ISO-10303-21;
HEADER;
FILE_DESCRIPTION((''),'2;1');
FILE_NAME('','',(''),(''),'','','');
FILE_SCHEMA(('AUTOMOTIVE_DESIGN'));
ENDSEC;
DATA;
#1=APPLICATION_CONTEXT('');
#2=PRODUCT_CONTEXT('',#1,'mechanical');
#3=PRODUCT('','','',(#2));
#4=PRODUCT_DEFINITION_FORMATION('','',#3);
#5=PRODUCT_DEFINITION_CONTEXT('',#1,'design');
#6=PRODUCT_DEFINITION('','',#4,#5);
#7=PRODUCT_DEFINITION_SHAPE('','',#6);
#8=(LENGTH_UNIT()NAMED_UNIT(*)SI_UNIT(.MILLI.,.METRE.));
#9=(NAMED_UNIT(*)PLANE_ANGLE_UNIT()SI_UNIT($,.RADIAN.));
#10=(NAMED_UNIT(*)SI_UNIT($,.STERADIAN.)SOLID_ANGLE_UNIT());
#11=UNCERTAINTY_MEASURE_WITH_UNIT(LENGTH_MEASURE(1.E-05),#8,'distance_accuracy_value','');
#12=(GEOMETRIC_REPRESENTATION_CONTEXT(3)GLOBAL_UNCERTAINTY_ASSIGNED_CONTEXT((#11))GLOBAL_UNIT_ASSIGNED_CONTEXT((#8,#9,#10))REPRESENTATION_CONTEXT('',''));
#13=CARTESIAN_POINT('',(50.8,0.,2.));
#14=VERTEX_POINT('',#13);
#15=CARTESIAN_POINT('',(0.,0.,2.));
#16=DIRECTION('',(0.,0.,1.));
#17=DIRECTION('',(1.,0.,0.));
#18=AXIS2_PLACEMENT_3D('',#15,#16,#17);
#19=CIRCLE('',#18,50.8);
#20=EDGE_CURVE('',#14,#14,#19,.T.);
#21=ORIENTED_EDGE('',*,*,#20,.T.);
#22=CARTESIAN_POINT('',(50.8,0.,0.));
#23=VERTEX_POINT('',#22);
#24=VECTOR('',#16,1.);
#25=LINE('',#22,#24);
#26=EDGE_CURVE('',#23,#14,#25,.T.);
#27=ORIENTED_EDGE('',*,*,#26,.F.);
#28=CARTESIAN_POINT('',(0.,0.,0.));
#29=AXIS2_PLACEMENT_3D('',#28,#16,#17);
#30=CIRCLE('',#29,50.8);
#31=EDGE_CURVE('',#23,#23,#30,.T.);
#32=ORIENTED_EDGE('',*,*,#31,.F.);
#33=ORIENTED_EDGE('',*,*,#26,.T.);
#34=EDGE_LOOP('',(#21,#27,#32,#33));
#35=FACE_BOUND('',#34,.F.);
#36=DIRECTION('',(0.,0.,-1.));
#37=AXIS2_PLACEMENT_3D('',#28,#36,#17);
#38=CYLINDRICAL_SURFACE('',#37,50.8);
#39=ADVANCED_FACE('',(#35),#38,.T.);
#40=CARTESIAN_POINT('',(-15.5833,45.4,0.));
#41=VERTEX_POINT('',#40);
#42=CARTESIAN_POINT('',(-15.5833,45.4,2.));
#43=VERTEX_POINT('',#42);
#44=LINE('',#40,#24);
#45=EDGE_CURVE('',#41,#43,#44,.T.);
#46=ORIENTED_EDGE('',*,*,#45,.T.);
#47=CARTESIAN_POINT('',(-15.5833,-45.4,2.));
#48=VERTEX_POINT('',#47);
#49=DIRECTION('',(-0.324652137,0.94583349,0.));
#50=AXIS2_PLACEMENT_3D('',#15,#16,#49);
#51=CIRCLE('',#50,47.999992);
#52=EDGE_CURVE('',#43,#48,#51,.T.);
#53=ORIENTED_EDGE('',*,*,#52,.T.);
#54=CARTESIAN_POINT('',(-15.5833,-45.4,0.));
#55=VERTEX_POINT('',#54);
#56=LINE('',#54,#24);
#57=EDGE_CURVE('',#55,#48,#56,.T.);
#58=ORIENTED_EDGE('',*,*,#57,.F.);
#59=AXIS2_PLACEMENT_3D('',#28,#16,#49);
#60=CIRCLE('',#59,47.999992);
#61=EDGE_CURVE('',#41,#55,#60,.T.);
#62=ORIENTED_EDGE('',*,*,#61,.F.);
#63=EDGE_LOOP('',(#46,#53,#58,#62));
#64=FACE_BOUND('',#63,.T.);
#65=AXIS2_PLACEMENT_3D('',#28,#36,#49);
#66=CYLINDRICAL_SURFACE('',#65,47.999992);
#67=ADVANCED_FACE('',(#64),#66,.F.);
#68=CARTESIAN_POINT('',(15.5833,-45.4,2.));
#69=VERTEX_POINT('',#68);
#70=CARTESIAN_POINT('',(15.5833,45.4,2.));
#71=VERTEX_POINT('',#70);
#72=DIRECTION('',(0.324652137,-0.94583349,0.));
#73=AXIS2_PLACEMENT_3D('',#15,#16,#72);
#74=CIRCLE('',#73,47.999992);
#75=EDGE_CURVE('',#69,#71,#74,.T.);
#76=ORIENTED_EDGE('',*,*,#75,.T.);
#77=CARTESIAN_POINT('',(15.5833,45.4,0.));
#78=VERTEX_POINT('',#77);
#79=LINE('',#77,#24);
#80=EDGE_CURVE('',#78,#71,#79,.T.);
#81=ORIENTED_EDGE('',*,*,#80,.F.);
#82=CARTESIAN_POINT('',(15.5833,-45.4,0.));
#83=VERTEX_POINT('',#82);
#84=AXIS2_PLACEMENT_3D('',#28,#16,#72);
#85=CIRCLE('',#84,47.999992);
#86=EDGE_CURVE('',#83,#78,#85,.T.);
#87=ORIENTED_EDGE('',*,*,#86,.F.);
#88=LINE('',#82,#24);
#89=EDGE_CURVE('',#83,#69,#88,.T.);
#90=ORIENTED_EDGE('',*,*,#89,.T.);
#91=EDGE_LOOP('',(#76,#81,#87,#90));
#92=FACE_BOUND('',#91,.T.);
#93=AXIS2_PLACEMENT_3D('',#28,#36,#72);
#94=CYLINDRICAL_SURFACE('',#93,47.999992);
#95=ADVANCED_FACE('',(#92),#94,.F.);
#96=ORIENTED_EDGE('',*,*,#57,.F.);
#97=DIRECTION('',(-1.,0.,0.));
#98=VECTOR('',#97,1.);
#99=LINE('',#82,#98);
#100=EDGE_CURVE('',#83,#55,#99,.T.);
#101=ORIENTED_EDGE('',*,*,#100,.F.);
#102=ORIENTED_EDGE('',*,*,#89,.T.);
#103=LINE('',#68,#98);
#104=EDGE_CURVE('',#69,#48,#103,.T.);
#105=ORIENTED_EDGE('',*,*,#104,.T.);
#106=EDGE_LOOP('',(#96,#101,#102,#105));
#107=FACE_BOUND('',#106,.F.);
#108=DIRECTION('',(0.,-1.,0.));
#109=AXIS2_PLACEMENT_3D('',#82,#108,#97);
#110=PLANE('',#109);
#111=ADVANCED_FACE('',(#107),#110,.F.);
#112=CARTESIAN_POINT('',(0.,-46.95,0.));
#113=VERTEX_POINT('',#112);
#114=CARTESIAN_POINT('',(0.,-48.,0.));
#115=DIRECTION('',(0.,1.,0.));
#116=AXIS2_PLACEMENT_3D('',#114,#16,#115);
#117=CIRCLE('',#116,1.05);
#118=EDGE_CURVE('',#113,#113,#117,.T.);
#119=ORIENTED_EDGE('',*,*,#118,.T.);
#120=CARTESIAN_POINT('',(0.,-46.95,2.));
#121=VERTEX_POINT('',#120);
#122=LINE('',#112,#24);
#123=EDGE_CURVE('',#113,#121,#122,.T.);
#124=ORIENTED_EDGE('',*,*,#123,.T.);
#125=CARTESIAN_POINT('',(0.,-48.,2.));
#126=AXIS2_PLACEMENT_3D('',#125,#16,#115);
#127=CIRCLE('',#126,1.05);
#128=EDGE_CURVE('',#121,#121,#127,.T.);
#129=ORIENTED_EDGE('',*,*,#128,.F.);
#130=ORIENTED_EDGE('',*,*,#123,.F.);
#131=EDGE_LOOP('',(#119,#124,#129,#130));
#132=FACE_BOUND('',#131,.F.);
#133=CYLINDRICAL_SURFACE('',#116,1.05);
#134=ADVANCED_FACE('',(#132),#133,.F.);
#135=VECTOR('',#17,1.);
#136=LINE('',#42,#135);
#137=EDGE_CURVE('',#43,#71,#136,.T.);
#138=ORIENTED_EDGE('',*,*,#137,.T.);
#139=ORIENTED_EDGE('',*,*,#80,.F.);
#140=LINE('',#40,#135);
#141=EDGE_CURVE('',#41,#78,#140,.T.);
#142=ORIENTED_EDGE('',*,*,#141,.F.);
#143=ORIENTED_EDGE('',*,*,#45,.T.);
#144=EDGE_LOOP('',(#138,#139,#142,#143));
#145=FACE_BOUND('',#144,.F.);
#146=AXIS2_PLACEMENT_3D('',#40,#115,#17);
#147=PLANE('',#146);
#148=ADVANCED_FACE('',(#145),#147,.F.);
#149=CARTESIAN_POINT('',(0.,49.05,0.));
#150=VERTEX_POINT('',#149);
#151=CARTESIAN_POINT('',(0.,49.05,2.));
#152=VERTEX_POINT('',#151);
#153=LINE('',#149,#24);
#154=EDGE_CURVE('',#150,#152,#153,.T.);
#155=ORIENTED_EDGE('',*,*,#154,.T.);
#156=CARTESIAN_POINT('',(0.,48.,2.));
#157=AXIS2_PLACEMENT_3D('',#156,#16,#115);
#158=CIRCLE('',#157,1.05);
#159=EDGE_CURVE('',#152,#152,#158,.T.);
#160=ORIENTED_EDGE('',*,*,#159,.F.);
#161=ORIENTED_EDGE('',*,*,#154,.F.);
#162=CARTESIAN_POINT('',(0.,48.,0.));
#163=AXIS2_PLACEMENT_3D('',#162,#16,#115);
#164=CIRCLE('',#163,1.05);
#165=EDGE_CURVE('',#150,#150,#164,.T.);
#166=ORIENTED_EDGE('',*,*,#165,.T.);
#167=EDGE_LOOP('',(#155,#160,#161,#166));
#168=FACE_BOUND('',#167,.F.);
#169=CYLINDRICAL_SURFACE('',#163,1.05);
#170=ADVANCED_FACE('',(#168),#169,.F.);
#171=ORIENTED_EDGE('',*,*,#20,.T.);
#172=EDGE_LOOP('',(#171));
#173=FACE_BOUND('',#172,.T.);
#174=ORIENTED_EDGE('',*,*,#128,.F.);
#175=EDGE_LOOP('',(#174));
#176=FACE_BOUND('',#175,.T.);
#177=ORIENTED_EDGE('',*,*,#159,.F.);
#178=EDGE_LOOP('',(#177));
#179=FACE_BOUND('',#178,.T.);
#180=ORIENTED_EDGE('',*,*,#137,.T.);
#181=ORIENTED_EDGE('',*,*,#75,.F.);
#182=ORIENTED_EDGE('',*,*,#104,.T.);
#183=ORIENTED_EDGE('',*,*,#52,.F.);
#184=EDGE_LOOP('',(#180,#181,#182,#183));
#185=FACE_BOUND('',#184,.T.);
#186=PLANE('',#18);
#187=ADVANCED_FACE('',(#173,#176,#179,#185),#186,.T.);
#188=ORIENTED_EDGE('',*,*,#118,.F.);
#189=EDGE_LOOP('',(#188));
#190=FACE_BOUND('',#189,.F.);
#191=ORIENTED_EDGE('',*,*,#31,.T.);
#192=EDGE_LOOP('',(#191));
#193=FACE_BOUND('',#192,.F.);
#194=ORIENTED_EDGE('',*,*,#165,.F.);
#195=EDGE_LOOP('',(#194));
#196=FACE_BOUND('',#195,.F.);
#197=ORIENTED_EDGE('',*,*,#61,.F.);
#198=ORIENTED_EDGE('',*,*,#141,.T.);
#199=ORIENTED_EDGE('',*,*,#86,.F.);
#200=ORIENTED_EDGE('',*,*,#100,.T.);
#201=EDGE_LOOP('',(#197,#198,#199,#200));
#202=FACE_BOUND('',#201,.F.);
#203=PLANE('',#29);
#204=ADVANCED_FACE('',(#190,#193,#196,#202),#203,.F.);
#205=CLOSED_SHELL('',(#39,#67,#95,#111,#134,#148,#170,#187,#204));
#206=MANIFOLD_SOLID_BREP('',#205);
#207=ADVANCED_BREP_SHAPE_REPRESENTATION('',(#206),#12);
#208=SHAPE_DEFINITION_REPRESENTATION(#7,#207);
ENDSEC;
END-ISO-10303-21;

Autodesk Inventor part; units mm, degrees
ref_plane "YZ Plane" through (0, 0, 0) normal (1, 0, 0) x (0, 1, 0)
ref_plane "XZ Plane" through (0, 0, 0) normal (0, 1, 0) x (-1, 0, 0)
ref_plane "XY Plane" through (0, 0, 0) normal (0, 0, 1) x (1, 0, 0)
sketch "Skizze6" plane through (0, 0, 0) normal (0, 0, 1) x (1, 0, 0)
  circle A0 centre (0, 0) radius 50.8
  line L0 (15.5833, -45.4) -> (-15.5833, -45.4)
  line L1 (-15.5833, 45.4) -> (15.5833, 45.4)
  line L2 (15.5833, -45.4) -> (-15.5833, 45.4) construction
  line L3 (-15.5833, -45.4) -> (15.5833, 45.4) construction
  arc A1 (-15.5833, 45.4) -> (-15.5833, -45.4) centre (0, 0) ccw
  arc A2 (15.5833, -45.4) -> (15.5833, 45.4) centre (0, 0) ccw
  circle A3 centre (0, 0) radius 48 construction
  point P0 (0, -48)
  point P1 (0, 48)
  dimension "d40" = 101.6
  dimension "d42" = 90.8
  dimension "d45" = 48
  dimension "d46" = 96
extrude "Extrusion3" add sketch "Skizze6" along normal blind 2
hole "Bohrung2" at (0, -48, 0) at (0, 48, 0) direction (0, 0, 1) diameter 2.1 end through all
sketch "Skizze7" plane through (0, 0, 2) normal (0, 0, 1) x (1, 0, 0)
  circle A0 centre (0, 0) radius 50.8 projected
  line L0 (48.6815, 14.5173) -> (-48.6815, 14.5173)
  line L1 (-48.6815, -14.5173) -> (48.6815, -14.5173)
  line L2 (48.6815, 14.5173) -> (-48.6815, -14.5173) construction
  line L3 (-48.6815, 14.5173) -> (48.6815, -14.5173) construction
  arc A1 (48.6815, -14.5173) -> (48.6815, 14.5173) centre (0, 0) ccw
  arc A2 (-48.6815, 14.5173) -> (-48.6815, -14.5173) centre (0, 0) ccw
properties part number "CortexHalter"
